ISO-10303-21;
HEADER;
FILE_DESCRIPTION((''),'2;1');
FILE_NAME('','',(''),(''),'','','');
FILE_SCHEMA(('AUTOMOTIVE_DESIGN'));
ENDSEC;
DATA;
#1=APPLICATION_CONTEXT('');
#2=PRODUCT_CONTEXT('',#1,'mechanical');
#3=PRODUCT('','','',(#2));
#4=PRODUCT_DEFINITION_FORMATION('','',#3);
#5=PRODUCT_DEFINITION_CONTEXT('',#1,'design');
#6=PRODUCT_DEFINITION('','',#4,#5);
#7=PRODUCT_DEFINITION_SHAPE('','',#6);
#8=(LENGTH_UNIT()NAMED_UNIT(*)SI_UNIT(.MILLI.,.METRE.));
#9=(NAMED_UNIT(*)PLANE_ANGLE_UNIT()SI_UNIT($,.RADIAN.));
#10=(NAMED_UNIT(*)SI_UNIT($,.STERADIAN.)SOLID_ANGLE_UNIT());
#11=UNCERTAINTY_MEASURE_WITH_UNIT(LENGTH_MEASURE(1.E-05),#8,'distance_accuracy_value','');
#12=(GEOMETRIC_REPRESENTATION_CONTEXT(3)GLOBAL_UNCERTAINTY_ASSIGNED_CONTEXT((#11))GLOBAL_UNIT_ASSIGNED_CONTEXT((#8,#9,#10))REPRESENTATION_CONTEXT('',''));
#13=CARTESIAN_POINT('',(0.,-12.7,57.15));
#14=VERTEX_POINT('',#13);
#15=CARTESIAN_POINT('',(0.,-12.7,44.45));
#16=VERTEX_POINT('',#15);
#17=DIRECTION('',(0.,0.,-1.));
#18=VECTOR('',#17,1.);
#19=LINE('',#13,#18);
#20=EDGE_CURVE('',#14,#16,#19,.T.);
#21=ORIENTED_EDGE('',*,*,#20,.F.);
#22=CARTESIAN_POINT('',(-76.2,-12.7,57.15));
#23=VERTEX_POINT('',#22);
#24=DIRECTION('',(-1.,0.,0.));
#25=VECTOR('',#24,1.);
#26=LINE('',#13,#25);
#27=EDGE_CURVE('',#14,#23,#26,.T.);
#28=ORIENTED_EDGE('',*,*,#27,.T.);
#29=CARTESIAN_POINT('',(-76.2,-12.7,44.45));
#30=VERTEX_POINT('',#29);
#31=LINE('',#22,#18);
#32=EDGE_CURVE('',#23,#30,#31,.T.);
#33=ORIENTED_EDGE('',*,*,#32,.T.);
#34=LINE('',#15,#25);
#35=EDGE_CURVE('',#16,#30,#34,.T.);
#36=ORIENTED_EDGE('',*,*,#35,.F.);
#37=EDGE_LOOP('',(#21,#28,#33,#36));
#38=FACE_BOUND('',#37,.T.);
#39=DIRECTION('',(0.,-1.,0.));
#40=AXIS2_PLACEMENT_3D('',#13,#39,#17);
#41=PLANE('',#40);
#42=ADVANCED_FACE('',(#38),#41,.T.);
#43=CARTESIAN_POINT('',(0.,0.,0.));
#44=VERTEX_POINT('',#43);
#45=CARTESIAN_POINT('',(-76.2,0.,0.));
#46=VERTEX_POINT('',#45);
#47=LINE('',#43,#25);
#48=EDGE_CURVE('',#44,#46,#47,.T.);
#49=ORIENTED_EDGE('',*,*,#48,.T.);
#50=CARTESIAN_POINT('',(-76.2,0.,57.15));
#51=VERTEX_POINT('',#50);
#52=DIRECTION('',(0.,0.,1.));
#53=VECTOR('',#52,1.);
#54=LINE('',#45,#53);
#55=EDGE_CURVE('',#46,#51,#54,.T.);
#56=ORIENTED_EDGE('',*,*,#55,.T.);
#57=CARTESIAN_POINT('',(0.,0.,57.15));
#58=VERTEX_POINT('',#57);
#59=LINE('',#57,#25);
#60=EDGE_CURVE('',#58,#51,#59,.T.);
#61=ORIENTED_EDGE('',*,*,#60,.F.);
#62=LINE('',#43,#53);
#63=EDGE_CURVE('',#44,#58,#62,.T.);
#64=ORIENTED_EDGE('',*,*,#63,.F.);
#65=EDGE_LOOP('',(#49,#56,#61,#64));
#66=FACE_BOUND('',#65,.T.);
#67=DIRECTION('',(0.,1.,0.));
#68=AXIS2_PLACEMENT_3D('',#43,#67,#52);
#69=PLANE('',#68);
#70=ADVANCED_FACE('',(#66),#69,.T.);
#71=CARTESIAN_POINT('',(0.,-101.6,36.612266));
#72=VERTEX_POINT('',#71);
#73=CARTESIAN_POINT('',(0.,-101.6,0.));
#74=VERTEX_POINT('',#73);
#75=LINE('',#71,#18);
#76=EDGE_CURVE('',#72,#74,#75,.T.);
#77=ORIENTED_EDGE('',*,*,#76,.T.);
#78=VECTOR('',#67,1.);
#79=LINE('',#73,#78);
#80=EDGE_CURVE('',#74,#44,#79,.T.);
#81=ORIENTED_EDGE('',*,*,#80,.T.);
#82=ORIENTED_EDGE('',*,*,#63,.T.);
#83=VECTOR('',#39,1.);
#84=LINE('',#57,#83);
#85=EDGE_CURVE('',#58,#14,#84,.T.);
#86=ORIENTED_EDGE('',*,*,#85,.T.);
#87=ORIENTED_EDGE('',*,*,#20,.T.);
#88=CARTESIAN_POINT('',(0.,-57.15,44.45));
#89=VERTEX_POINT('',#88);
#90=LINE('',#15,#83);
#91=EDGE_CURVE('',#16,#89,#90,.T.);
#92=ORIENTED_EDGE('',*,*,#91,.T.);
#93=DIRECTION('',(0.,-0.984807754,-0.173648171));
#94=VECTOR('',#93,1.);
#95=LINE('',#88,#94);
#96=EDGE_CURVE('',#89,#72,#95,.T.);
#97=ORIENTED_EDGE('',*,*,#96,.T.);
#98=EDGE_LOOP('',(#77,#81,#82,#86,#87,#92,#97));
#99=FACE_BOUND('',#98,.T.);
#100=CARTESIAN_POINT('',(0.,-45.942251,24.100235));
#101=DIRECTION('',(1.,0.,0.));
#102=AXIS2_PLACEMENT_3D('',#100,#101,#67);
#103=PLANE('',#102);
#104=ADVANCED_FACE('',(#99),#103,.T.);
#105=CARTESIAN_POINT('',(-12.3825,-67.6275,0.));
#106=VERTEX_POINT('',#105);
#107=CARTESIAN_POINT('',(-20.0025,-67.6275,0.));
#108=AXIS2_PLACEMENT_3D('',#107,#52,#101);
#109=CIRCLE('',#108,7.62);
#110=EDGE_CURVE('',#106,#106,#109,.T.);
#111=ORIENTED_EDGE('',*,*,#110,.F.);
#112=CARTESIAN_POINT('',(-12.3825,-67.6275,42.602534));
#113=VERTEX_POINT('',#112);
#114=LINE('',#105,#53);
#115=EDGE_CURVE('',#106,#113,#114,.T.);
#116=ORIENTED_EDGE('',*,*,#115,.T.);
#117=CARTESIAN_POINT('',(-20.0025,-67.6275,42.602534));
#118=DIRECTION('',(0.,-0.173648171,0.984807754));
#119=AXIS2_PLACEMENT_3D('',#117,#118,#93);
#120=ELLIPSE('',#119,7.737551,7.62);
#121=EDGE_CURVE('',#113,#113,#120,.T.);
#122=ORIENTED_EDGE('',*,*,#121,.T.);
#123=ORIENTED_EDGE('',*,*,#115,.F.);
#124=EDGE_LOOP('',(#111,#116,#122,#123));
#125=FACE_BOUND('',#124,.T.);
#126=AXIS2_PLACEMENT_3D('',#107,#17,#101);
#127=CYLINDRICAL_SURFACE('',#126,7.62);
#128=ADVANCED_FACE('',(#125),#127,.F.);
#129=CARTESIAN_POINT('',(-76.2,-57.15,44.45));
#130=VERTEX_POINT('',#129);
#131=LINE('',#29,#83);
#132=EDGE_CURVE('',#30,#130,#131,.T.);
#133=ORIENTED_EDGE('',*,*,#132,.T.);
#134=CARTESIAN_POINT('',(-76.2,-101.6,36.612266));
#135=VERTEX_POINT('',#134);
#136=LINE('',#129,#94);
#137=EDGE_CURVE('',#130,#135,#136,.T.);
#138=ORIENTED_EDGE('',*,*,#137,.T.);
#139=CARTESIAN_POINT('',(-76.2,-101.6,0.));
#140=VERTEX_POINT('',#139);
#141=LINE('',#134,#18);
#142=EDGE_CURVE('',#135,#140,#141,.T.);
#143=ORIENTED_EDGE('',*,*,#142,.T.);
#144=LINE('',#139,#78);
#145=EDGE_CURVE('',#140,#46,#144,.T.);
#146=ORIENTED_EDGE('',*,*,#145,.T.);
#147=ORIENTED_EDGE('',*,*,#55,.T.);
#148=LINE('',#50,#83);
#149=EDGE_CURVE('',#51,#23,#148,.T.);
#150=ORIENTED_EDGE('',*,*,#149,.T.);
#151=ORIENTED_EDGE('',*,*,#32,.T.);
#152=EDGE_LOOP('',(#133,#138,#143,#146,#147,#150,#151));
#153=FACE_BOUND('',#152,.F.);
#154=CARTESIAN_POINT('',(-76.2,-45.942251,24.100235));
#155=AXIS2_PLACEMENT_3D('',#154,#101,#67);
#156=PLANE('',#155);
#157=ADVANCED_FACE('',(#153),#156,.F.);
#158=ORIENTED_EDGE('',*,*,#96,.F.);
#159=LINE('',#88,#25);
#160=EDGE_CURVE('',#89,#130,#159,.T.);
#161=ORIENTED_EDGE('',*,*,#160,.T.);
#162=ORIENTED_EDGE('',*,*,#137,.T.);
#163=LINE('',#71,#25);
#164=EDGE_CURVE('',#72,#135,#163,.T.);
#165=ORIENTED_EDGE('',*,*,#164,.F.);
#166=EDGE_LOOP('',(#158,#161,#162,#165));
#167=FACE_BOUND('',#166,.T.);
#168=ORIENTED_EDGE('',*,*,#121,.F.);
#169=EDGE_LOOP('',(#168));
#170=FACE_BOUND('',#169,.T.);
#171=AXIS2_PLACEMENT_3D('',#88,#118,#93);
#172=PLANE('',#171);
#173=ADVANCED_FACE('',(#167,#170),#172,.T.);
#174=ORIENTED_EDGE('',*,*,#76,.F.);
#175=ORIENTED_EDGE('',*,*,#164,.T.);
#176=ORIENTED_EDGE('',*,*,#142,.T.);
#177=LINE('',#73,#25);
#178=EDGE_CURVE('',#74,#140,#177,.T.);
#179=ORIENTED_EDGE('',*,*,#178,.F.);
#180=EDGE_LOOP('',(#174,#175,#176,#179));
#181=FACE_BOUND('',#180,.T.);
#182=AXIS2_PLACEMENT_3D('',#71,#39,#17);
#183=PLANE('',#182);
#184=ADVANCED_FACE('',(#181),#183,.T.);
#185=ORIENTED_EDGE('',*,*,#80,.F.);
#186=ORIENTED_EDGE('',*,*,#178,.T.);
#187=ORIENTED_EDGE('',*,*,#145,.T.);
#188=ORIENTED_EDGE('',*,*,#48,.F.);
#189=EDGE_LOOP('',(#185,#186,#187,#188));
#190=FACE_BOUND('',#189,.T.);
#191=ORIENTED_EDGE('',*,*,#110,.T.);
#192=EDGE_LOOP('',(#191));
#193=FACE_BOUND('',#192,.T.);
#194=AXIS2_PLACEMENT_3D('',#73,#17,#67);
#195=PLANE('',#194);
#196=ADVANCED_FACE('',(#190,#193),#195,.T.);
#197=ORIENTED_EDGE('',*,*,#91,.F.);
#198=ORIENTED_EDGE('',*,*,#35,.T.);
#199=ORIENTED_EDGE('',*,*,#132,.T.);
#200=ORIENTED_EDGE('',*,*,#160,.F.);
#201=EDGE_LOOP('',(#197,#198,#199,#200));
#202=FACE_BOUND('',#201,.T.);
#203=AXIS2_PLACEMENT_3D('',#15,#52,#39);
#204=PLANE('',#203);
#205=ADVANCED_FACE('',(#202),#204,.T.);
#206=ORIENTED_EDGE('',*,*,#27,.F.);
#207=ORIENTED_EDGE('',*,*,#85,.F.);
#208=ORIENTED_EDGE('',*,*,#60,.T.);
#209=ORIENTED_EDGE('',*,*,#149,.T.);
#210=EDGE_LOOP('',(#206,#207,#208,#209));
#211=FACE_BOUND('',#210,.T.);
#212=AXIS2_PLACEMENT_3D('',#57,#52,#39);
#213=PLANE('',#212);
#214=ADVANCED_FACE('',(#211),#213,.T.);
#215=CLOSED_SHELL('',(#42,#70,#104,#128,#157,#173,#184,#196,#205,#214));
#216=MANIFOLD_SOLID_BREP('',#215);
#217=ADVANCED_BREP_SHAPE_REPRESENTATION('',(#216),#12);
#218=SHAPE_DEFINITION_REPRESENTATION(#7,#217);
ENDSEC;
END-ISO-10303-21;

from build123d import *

# Parameters (mm, degrees)
F1_DEPTH = 76.2
F2_R     = 7.62
F3_DEPTH = 50.8


with BuildPart() as f1:
    # F0 (on Right) → F1 (new body)
    with BuildSketch(Plane.YZ):
        Polygon((-101.6, 0), (0, 0), (0, 57.15), (-12.7, 57.15), (-12.7, 44.481661), (-12.7, 44.45), (-57.15, 44.45), (-101.6, 36.612266), align=None)
    extrude(amount=-F1_DEPTH)

    # F2 (on Top) → F3 (cut)
    with BuildSketch(Plane.XY):
        with Locations((-20.0025, -67.6275)):
            Circle(F2_R)
    extrude(amount=F3_DEPTH, mode=Mode.SUBTRACT)


solid = f1.part
